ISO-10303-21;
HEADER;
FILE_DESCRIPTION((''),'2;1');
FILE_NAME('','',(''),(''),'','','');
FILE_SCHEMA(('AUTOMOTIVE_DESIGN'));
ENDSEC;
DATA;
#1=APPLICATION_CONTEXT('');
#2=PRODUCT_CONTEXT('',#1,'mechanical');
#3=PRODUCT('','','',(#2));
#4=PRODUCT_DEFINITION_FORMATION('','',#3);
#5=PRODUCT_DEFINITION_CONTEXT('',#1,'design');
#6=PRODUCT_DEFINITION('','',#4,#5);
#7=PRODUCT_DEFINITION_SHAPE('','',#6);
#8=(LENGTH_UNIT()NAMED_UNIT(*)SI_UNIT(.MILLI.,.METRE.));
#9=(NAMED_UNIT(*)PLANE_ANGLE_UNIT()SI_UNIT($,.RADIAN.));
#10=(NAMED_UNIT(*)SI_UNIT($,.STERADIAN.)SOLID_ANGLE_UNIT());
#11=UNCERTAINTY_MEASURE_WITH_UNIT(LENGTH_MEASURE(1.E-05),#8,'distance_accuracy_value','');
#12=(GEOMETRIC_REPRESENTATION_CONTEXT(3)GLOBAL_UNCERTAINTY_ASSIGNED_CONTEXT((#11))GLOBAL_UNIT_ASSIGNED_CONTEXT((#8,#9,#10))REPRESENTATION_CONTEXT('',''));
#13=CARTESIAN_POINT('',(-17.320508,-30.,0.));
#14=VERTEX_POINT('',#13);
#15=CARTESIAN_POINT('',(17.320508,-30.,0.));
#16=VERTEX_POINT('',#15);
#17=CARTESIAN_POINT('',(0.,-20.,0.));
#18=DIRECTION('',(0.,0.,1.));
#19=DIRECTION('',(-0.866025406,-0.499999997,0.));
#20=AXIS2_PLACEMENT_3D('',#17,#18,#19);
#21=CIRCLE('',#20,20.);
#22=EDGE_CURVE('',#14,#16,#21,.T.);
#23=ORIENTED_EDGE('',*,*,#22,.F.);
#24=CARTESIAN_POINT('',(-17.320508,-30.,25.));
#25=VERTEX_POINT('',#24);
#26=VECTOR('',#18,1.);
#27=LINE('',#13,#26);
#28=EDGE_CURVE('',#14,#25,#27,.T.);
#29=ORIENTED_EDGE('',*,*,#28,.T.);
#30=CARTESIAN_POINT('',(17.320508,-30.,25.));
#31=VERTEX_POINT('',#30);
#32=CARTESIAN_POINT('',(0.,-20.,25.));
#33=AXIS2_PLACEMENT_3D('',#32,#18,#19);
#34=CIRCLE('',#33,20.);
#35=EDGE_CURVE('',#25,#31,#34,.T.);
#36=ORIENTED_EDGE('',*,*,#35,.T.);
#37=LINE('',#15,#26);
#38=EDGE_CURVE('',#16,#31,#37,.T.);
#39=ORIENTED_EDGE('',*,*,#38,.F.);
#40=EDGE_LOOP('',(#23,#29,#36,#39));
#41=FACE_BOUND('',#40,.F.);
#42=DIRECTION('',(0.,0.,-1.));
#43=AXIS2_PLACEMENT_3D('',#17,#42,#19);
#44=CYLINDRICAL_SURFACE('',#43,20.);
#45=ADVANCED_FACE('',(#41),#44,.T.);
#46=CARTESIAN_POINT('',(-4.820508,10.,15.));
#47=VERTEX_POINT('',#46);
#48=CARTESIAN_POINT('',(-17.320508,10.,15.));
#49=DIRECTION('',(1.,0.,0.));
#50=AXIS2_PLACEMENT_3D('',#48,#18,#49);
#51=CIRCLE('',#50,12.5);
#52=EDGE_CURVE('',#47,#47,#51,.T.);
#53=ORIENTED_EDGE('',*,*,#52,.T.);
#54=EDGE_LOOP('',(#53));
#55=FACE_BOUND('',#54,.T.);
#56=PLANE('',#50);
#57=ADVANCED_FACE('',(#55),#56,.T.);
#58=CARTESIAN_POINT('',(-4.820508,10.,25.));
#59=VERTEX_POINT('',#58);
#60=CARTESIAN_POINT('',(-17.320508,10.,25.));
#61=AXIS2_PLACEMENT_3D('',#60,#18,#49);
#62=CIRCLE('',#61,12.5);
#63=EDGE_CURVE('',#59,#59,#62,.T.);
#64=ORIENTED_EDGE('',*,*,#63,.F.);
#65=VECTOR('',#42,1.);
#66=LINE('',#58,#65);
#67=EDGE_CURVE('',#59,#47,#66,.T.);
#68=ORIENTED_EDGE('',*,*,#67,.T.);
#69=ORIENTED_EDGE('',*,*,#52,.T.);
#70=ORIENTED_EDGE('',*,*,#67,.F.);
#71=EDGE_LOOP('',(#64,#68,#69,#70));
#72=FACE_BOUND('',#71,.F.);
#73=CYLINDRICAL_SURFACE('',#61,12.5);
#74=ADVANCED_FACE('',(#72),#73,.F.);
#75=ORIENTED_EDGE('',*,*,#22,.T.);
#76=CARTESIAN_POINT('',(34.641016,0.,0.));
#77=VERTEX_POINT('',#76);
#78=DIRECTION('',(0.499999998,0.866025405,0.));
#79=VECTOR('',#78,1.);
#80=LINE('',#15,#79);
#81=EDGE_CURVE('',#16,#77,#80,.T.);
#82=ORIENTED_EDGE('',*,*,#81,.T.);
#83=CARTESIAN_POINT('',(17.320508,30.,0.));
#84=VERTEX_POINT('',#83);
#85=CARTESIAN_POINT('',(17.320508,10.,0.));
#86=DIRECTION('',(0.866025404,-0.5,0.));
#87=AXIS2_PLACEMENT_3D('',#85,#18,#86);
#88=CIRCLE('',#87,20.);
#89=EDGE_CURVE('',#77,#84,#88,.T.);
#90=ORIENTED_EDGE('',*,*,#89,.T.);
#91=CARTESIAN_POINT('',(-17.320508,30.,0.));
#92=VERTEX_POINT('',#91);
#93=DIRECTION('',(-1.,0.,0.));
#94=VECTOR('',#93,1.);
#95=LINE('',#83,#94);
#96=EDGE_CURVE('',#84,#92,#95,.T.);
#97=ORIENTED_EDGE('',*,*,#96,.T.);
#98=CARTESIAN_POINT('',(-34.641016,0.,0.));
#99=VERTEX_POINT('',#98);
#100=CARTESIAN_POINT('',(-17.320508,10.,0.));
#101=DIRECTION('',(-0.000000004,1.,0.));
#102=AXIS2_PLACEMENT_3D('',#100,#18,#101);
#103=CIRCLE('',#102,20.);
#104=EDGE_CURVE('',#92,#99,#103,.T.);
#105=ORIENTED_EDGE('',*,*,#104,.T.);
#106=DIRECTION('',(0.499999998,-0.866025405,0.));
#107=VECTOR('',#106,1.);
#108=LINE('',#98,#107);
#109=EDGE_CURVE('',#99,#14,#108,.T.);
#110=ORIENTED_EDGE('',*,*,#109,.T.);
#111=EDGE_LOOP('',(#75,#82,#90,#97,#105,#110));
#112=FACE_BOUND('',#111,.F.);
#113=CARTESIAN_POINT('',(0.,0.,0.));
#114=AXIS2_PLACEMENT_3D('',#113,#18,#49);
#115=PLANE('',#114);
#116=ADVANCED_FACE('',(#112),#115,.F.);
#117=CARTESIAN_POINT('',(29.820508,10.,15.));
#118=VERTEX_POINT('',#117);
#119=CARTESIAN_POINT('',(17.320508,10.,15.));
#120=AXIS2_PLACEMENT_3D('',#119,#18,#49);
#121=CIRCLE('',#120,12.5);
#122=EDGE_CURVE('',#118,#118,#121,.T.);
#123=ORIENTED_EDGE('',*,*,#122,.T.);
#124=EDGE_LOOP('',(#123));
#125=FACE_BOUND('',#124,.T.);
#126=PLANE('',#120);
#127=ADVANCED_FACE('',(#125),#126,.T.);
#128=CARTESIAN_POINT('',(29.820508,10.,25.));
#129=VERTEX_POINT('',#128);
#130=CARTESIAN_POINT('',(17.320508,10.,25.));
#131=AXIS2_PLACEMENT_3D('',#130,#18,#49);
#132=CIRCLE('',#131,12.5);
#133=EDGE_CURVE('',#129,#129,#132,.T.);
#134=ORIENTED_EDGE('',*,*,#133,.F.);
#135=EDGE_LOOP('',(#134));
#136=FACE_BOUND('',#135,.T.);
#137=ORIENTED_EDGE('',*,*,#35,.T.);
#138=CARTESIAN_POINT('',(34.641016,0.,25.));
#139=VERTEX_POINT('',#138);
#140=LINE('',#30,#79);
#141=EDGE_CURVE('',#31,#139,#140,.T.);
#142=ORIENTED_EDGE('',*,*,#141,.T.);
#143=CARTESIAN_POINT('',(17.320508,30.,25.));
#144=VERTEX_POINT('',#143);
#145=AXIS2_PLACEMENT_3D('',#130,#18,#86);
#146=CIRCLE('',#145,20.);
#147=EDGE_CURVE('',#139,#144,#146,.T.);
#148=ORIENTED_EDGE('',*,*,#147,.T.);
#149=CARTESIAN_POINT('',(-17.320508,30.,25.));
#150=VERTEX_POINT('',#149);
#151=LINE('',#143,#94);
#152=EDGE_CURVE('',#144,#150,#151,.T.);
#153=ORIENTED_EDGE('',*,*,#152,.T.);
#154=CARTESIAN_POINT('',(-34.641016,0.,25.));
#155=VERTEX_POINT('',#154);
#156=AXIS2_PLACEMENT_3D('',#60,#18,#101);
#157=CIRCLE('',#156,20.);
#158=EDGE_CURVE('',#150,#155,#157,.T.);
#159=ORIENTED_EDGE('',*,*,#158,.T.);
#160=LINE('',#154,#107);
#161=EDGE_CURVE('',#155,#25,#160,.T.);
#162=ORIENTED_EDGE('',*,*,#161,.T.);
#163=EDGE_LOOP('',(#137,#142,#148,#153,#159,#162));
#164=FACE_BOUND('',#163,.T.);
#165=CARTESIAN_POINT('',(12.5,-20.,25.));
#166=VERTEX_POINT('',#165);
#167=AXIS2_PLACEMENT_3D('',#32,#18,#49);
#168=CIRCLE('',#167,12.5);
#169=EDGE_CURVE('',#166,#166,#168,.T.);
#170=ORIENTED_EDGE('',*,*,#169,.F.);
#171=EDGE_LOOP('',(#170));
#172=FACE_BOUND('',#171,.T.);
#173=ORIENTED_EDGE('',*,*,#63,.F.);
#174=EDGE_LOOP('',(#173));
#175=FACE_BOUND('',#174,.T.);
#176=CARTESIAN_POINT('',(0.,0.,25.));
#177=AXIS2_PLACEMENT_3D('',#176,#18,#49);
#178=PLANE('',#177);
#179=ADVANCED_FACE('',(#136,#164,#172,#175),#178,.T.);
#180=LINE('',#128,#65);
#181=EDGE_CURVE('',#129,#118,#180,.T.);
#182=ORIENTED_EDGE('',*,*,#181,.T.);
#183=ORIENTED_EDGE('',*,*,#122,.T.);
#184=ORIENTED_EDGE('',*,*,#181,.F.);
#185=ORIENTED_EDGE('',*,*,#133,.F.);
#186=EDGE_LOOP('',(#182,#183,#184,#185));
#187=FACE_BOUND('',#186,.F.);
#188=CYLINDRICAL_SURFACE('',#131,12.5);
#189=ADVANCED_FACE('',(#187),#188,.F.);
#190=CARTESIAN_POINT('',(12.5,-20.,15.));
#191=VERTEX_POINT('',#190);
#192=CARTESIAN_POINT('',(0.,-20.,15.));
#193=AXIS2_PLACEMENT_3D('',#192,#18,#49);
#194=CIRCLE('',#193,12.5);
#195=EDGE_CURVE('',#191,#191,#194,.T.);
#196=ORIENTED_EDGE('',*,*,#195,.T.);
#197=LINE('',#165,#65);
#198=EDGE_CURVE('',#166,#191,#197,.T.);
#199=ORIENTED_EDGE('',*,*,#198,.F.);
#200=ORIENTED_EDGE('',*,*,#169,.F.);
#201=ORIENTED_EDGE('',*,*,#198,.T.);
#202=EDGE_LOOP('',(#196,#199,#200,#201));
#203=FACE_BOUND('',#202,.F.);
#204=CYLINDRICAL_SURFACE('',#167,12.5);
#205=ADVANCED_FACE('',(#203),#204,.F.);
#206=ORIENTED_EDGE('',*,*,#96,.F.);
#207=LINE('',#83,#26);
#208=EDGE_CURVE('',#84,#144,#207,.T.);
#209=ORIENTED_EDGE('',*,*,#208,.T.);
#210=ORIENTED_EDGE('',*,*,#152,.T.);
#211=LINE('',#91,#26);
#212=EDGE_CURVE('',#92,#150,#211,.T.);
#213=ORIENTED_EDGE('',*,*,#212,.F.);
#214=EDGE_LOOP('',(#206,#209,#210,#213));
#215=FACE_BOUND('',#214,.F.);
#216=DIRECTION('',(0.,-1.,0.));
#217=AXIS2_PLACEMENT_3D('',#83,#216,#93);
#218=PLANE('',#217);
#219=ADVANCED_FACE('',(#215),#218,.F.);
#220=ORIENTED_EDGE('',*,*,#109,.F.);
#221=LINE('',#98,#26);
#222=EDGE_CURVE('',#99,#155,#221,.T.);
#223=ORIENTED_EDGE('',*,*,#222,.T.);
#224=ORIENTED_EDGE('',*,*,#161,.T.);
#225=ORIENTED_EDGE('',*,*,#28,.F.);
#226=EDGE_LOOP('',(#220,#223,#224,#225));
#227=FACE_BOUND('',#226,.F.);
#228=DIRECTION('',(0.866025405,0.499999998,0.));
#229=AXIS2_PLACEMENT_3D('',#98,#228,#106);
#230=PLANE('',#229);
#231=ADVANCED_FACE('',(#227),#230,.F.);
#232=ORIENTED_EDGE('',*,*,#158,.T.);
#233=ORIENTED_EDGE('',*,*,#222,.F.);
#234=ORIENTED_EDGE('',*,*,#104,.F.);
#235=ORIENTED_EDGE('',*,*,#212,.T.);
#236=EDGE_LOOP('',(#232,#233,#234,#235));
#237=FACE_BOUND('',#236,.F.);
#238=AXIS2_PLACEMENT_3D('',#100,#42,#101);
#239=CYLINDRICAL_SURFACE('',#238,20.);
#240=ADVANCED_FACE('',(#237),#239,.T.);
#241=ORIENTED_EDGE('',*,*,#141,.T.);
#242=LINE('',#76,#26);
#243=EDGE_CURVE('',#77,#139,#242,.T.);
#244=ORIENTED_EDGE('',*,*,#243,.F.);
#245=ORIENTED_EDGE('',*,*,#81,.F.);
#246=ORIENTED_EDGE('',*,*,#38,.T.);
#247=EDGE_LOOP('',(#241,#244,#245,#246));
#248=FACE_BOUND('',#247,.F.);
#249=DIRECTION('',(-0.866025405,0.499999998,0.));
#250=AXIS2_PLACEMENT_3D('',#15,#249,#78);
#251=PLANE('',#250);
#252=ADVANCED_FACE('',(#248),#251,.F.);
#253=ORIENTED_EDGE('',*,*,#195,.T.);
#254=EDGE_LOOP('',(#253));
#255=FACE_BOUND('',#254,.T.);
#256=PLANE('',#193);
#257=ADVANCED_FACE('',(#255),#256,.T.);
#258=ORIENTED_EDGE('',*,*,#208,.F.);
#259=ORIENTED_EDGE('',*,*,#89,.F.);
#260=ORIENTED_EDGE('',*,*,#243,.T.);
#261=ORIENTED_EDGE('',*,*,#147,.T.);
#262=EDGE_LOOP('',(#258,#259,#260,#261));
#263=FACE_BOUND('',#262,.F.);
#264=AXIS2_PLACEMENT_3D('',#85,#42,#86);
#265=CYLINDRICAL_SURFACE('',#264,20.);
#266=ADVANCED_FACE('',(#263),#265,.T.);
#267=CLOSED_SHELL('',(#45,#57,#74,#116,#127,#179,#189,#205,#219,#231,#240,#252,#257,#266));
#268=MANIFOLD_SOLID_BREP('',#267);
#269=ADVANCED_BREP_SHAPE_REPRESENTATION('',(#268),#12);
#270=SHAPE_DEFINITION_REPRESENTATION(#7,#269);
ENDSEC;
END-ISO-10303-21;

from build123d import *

# Parameters (mm, degrees)
F1_DEPTH = 25
F2_R     = 12.5
F3_DEPTH = 10


with BuildPart() as f1:
    # F0 (on Top) → F1 (new body)
    with BuildSketch(Plane.XY):
        with BuildLine():
            Line((17.320508, 30), (-17.320508, 30))
            ThreePointArc((-17.320508, 30), (-34.641016, 20), (-34.641016, 0))
            Line((-34.641016, 0), (-17.320508, -30))
            ThreePointArc((-17.320508, -30), (0, -40), (17.320508, -30))
            Line((17.320508, -30), (34.641016, 0))
            ThreePointArc((34.641016, 0), (34.641016, 20), (17.320508, 30))
        make_face()
    extrude(amount=F1_DEPTH)

    # F2 (on face) → F3 (cut)
    with BuildSketch(Plane.XY.offset(25)):
        with Locations((-17.320508, 10)):
            Circle(F2_R)
        with Locations((0, -20)):
            Circle(F2_R)
        with Locations((17.320508, 10)):
            Circle(F2_R)
    extrude(amount=-F3_DEPTH, mode=Mode.SUBTRACT)


solid = f1.part
